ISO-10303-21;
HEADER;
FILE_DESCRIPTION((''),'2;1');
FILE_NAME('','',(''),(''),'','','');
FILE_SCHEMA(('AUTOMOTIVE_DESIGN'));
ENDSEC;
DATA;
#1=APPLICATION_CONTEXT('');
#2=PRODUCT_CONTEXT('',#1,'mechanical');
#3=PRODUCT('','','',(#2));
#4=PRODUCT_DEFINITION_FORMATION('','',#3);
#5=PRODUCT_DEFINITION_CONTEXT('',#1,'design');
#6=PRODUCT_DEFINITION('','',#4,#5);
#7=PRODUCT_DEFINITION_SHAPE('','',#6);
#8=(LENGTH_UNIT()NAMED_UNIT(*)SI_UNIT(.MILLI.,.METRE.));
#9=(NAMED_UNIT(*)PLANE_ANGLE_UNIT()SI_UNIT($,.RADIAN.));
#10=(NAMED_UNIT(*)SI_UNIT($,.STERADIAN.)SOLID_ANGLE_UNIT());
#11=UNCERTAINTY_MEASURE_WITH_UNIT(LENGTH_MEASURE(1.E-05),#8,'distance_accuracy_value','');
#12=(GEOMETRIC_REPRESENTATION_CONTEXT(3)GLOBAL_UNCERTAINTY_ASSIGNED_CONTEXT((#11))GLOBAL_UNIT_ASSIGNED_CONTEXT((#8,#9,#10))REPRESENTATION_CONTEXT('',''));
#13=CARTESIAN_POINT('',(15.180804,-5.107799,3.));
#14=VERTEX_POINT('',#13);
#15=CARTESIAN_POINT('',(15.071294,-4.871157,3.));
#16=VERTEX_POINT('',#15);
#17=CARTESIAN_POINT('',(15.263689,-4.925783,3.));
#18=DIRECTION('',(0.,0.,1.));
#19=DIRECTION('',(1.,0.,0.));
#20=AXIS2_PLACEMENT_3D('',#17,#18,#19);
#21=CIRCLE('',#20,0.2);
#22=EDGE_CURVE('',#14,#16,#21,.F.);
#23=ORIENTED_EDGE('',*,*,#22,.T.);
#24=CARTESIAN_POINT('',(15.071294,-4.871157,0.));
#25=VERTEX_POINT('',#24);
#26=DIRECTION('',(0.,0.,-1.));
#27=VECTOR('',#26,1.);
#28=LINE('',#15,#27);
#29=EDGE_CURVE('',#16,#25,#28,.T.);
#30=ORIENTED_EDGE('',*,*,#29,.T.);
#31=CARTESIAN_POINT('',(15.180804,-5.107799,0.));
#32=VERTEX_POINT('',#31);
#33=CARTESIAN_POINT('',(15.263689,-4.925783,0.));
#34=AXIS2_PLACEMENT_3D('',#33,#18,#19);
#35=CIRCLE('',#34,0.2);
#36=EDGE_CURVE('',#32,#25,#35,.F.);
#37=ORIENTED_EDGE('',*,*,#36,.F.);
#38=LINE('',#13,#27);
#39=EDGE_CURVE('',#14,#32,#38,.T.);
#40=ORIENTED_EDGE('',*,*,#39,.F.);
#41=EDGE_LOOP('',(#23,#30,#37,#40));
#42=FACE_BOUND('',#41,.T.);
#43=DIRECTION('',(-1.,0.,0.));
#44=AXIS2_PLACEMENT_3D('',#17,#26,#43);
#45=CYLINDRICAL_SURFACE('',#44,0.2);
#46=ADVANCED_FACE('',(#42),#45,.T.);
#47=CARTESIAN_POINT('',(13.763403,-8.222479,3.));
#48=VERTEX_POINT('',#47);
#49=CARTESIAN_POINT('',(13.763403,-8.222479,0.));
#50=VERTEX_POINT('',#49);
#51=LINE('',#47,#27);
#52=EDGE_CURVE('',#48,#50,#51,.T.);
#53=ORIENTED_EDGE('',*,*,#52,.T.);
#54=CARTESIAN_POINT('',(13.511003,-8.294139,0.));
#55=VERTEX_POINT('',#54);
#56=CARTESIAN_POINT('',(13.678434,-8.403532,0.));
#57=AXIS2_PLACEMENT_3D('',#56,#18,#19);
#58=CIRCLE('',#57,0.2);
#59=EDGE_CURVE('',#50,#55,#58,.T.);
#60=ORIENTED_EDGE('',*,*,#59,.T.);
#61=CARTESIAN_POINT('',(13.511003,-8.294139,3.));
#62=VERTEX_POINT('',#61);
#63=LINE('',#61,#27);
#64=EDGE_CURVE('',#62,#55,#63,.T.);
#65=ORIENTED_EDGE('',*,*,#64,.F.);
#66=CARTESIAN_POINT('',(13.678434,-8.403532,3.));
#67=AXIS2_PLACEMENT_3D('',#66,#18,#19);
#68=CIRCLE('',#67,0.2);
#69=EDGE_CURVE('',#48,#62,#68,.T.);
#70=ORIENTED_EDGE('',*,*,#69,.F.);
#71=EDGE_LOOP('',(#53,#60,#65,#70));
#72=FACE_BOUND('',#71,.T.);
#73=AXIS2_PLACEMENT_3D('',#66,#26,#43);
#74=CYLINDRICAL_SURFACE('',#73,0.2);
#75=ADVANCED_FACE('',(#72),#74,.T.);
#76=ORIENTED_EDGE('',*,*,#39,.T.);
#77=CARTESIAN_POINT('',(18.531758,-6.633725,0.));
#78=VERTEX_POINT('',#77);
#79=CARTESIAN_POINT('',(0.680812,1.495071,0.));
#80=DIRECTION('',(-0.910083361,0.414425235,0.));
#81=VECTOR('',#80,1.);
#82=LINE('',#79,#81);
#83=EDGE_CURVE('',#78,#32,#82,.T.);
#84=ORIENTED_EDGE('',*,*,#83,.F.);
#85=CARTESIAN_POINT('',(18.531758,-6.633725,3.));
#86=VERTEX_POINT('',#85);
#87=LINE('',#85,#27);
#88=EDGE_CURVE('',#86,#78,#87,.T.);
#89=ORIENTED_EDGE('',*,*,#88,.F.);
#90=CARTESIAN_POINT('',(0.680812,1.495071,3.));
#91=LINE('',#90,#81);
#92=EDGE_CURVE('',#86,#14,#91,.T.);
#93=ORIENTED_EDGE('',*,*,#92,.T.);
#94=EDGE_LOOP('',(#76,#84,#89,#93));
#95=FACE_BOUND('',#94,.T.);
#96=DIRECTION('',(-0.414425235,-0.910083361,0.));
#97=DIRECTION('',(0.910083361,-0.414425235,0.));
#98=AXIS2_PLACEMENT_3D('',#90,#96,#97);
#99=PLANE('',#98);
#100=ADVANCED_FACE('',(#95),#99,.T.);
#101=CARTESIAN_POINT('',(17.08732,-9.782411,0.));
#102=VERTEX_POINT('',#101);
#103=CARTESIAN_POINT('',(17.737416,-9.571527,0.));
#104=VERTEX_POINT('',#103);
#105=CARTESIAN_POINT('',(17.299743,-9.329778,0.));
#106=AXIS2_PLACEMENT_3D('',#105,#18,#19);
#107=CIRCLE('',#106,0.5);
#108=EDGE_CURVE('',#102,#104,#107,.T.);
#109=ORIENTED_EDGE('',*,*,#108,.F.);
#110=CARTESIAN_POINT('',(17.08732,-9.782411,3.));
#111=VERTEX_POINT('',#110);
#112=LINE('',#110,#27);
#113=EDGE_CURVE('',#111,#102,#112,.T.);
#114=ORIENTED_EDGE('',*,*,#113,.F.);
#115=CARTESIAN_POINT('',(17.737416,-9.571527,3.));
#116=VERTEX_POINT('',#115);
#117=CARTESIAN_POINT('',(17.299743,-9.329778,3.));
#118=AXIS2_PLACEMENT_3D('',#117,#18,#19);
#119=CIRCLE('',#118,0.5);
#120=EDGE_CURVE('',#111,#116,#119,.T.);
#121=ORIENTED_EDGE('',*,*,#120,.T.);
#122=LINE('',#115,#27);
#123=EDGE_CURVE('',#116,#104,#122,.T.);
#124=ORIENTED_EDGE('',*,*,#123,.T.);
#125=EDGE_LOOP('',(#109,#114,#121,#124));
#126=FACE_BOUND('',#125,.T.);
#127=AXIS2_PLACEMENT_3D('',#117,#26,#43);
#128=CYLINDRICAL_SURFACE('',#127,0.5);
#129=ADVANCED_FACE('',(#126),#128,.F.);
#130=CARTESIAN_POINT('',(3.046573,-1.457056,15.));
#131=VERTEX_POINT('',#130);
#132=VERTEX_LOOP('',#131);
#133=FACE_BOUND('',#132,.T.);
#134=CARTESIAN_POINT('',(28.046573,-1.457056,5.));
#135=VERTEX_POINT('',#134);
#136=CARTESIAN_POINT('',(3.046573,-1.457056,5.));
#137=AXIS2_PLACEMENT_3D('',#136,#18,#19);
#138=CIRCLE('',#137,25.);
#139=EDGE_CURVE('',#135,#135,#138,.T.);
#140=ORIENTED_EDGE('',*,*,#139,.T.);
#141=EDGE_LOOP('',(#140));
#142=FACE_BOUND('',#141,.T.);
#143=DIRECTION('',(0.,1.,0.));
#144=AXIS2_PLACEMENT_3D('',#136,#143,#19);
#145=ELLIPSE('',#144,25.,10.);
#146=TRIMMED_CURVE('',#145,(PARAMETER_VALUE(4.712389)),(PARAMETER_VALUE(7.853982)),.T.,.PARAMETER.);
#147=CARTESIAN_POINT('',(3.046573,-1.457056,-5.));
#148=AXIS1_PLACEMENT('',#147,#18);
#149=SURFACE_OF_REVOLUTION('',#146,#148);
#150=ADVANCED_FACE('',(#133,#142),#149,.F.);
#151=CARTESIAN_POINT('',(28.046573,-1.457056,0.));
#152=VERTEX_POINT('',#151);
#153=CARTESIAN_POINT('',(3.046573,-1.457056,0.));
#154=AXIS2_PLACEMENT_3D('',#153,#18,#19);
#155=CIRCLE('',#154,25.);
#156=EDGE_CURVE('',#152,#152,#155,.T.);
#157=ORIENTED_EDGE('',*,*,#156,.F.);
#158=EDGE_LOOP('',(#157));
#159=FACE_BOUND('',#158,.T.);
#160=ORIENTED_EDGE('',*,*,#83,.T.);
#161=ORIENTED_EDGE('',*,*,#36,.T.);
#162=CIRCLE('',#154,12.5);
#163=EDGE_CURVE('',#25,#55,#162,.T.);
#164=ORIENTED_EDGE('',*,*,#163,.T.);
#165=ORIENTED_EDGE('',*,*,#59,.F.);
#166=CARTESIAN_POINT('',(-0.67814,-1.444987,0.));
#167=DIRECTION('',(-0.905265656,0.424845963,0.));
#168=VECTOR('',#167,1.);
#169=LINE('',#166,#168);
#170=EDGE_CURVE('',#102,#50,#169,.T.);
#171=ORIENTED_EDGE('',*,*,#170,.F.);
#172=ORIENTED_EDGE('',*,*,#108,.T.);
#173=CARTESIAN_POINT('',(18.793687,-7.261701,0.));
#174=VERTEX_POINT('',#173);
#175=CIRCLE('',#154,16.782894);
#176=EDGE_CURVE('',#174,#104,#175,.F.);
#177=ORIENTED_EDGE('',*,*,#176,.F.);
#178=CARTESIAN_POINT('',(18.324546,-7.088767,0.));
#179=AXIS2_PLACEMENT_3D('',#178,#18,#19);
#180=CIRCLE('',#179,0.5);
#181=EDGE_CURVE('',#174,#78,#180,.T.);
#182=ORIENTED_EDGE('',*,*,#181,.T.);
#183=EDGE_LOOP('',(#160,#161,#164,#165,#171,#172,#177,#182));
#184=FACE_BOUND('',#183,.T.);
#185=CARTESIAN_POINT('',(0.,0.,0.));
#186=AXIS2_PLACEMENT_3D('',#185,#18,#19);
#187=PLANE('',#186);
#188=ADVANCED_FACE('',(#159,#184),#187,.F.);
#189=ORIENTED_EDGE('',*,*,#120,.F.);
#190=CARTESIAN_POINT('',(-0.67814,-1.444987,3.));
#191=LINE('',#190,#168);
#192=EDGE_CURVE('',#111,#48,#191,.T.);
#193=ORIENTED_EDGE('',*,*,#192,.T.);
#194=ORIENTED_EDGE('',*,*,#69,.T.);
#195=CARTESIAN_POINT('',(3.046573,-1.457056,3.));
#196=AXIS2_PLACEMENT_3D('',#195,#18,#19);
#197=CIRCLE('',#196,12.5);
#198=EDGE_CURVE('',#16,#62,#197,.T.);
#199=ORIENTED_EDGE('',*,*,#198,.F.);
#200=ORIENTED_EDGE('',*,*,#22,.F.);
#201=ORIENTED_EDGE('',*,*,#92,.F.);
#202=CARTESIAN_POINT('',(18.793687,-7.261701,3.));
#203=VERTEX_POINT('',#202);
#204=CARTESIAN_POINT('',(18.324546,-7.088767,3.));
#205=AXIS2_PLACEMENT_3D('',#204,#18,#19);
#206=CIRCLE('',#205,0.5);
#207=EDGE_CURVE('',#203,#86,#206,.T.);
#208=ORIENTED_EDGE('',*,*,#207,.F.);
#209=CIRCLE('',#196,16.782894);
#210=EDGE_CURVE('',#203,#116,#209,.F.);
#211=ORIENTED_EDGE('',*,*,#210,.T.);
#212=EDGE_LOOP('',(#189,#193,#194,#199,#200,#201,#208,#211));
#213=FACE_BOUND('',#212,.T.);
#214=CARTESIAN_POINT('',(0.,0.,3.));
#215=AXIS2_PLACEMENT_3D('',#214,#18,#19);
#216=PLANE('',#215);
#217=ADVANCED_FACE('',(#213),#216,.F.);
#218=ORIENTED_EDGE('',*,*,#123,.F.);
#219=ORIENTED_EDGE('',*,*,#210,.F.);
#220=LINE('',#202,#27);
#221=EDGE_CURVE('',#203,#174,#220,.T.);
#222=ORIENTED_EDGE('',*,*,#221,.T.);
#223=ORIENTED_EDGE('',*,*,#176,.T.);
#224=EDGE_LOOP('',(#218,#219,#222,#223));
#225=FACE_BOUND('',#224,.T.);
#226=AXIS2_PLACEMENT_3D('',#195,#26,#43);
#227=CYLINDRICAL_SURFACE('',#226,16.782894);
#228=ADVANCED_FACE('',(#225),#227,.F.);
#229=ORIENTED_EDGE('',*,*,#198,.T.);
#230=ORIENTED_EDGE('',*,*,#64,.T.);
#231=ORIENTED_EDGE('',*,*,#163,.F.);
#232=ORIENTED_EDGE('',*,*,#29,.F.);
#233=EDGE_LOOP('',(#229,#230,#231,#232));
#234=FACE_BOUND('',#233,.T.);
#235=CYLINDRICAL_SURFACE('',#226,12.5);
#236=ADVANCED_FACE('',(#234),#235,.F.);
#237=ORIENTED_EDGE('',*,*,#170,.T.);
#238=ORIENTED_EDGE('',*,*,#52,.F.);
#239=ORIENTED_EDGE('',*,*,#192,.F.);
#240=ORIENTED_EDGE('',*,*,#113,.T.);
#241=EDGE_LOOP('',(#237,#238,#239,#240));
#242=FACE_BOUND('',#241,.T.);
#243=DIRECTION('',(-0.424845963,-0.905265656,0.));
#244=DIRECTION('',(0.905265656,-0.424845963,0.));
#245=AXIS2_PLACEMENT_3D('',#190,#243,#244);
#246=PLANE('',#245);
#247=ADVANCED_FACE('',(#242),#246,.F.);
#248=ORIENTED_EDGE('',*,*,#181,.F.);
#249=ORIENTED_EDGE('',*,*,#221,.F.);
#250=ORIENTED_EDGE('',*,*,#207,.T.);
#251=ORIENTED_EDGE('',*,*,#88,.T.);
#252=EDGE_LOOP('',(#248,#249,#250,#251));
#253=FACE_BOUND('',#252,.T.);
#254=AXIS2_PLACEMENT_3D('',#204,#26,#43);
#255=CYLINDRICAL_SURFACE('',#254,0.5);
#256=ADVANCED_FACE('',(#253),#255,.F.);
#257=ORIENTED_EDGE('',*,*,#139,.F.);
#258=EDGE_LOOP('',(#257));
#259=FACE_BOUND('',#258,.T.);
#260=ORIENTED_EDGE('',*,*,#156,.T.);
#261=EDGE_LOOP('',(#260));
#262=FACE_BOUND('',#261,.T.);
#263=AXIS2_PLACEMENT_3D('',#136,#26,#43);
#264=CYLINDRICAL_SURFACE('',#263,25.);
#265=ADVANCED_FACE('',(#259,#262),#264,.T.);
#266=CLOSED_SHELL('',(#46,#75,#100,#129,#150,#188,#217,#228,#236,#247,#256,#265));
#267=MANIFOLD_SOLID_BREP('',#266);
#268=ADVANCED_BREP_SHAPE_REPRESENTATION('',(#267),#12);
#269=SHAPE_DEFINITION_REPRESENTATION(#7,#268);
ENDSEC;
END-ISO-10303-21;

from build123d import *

# Parameters (mm, degrees)
ESQUISSE3_R             = 25
BOSS_EXTRU_5_DEPTH      = 5
ENL_V_MAT_EXTRU_2_DEPTH = 3
D_ME1_FACE_RADIUS       = 25
D_ME1_HEIGHT            = 10


with BuildPart() as part:
    # Esquisse3 → Boss.-Extru.5 (new body)
    # profile 1 of 2: a face of its own
    with BuildSketch(Plane.XY):
        with Locations((3.046572579, -1.457056451)):
            Circle(ESQUISSE3_R)
        with BuildLine():
            Line((17.087320205, -9.782411277), (13.763402917, -8.222479303))
            ThreePointArc((13.763402917, -8.222479303), (13.623809877, -8.211136397), (13.51100284, -8.294139112))
            ThreePointArc((13.51100284, -8.294139112), (-8.32750686, 3.727566671), (15.071293632, -4.871157152))
            ThreePointArc((15.071293632, -4.871157152), (15.082182303, -5.009778343), (15.180804122, -5.107799435))
            Line((15.180804122, -5.107799435), (18.531758174, -6.633725498))
            ThreePointArc((18.531758174, -6.633725498), (18.786012776, -6.896288595), (18.793687386, -7.261700531))
            ThreePointArc((18.793687386, -7.261700531), (18.309310033, -8.43662399), (17.737416335, -9.571526697))
            ThreePointArc((17.737416335, -9.571526697), (17.454023729, -9.805380714), (17.087320205, -9.782411277))
        make_face(mode=Mode.SUBTRACT)
    # profile 2 of 2: a face of its own
    with BuildSketch(Plane.XY):
        with BuildLine():
            ThreePointArc((13.763402917, -8.222479303), (13.623809877, -8.211136397), (13.51100284, -8.294139112))
            ThreePointArc((13.51100284, -8.294139112), (-8.32750686, 3.727566671), (15.071293632, -4.871157152))
            ThreePointArc((15.071293632, -4.871157152), (15.082182303, -5.009778343), (15.180804122, -5.107799435))
            Line((15.180804122, -5.107799435), (18.531758174, -6.633725498))
            ThreePointArc((18.531758174, -6.633725498), (18.786012776, -6.896288595), (18.793687386, -7.261700531))
            ThreePointArc((18.793687386, -7.261700531), (18.309310033, -8.43662399), (17.737416335, -9.571526697))
            ThreePointArc((17.737416335, -9.571526697), (17.454023729, -9.805380714), (17.087320205, -9.782411277))
            Line((17.087320205, -9.782411277), (13.763402917, -8.222479303))
        make_face()
    extrude(amount=BOSS_EXTRU_5_DEPTH)

    # Esquisse3_4 → Enl_v. mat.-Extru.2 (cut)
    with BuildSketch(Plane.XY):
        with BuildLine():
            ThreePointArc((13.763402917, -8.222479303), (13.623809877, -8.211136397), (13.51100284, -8.294139112))
            ThreePointArc((13.51100284, -8.294139112), (-8.32750686, 3.727566671), (15.071293632, -4.871157152))
            ThreePointArc((15.071293632, -4.871157152), (15.082182303, -5.009778343), (15.180804122, -5.107799435))
            Line((15.180804122, -5.107799435), (18.531758174, -6.633725498))
            ThreePointArc((18.531758174, -6.633725498), (18.786012776, -6.896288595), (18.793687386, -7.261700531))
            ThreePointArc((18.793687386, -7.261700531), (18.309310033, -8.43662399), (17.737416335, -9.571526697))
            ThreePointArc((17.737416335, -9.571526697), (17.454023729, -9.805380714), (17.087320205, -9.782411277))
            Line((17.087320205, -9.782411277), (13.763402917, -8.222479303))
        make_face()
    extrude(amount=ENL_V_MAT_EXTRU_2_DEPTH, mode=Mode.SUBTRACT)

    # D_me1: an elliptical dome of height H over a round flat face of radius A is half a spheroid: the quarter ellipse of half axes A and H revolved about the face's axis
    with BuildSketch(Plane((3.046572579, -1.457056451, 5), x_dir=(0, 1, 0), z_dir=(1, 0, 0)), mode=Mode.PRIVATE) as d_me1_quarter:
        Ellipse(D_ME1_FACE_RADIUS, D_ME1_HEIGHT)
        Rectangle(D_ME1_FACE_RADIUS, D_ME1_HEIGHT, align=(Align.MIN, Align.MIN), mode=Mode.INTERSECT)
    revolve(d_me1_quarter.sketch, axis=Axis((3.046572579, -1.457056451, 5), (0, 0, 1)))


solid = part.part
